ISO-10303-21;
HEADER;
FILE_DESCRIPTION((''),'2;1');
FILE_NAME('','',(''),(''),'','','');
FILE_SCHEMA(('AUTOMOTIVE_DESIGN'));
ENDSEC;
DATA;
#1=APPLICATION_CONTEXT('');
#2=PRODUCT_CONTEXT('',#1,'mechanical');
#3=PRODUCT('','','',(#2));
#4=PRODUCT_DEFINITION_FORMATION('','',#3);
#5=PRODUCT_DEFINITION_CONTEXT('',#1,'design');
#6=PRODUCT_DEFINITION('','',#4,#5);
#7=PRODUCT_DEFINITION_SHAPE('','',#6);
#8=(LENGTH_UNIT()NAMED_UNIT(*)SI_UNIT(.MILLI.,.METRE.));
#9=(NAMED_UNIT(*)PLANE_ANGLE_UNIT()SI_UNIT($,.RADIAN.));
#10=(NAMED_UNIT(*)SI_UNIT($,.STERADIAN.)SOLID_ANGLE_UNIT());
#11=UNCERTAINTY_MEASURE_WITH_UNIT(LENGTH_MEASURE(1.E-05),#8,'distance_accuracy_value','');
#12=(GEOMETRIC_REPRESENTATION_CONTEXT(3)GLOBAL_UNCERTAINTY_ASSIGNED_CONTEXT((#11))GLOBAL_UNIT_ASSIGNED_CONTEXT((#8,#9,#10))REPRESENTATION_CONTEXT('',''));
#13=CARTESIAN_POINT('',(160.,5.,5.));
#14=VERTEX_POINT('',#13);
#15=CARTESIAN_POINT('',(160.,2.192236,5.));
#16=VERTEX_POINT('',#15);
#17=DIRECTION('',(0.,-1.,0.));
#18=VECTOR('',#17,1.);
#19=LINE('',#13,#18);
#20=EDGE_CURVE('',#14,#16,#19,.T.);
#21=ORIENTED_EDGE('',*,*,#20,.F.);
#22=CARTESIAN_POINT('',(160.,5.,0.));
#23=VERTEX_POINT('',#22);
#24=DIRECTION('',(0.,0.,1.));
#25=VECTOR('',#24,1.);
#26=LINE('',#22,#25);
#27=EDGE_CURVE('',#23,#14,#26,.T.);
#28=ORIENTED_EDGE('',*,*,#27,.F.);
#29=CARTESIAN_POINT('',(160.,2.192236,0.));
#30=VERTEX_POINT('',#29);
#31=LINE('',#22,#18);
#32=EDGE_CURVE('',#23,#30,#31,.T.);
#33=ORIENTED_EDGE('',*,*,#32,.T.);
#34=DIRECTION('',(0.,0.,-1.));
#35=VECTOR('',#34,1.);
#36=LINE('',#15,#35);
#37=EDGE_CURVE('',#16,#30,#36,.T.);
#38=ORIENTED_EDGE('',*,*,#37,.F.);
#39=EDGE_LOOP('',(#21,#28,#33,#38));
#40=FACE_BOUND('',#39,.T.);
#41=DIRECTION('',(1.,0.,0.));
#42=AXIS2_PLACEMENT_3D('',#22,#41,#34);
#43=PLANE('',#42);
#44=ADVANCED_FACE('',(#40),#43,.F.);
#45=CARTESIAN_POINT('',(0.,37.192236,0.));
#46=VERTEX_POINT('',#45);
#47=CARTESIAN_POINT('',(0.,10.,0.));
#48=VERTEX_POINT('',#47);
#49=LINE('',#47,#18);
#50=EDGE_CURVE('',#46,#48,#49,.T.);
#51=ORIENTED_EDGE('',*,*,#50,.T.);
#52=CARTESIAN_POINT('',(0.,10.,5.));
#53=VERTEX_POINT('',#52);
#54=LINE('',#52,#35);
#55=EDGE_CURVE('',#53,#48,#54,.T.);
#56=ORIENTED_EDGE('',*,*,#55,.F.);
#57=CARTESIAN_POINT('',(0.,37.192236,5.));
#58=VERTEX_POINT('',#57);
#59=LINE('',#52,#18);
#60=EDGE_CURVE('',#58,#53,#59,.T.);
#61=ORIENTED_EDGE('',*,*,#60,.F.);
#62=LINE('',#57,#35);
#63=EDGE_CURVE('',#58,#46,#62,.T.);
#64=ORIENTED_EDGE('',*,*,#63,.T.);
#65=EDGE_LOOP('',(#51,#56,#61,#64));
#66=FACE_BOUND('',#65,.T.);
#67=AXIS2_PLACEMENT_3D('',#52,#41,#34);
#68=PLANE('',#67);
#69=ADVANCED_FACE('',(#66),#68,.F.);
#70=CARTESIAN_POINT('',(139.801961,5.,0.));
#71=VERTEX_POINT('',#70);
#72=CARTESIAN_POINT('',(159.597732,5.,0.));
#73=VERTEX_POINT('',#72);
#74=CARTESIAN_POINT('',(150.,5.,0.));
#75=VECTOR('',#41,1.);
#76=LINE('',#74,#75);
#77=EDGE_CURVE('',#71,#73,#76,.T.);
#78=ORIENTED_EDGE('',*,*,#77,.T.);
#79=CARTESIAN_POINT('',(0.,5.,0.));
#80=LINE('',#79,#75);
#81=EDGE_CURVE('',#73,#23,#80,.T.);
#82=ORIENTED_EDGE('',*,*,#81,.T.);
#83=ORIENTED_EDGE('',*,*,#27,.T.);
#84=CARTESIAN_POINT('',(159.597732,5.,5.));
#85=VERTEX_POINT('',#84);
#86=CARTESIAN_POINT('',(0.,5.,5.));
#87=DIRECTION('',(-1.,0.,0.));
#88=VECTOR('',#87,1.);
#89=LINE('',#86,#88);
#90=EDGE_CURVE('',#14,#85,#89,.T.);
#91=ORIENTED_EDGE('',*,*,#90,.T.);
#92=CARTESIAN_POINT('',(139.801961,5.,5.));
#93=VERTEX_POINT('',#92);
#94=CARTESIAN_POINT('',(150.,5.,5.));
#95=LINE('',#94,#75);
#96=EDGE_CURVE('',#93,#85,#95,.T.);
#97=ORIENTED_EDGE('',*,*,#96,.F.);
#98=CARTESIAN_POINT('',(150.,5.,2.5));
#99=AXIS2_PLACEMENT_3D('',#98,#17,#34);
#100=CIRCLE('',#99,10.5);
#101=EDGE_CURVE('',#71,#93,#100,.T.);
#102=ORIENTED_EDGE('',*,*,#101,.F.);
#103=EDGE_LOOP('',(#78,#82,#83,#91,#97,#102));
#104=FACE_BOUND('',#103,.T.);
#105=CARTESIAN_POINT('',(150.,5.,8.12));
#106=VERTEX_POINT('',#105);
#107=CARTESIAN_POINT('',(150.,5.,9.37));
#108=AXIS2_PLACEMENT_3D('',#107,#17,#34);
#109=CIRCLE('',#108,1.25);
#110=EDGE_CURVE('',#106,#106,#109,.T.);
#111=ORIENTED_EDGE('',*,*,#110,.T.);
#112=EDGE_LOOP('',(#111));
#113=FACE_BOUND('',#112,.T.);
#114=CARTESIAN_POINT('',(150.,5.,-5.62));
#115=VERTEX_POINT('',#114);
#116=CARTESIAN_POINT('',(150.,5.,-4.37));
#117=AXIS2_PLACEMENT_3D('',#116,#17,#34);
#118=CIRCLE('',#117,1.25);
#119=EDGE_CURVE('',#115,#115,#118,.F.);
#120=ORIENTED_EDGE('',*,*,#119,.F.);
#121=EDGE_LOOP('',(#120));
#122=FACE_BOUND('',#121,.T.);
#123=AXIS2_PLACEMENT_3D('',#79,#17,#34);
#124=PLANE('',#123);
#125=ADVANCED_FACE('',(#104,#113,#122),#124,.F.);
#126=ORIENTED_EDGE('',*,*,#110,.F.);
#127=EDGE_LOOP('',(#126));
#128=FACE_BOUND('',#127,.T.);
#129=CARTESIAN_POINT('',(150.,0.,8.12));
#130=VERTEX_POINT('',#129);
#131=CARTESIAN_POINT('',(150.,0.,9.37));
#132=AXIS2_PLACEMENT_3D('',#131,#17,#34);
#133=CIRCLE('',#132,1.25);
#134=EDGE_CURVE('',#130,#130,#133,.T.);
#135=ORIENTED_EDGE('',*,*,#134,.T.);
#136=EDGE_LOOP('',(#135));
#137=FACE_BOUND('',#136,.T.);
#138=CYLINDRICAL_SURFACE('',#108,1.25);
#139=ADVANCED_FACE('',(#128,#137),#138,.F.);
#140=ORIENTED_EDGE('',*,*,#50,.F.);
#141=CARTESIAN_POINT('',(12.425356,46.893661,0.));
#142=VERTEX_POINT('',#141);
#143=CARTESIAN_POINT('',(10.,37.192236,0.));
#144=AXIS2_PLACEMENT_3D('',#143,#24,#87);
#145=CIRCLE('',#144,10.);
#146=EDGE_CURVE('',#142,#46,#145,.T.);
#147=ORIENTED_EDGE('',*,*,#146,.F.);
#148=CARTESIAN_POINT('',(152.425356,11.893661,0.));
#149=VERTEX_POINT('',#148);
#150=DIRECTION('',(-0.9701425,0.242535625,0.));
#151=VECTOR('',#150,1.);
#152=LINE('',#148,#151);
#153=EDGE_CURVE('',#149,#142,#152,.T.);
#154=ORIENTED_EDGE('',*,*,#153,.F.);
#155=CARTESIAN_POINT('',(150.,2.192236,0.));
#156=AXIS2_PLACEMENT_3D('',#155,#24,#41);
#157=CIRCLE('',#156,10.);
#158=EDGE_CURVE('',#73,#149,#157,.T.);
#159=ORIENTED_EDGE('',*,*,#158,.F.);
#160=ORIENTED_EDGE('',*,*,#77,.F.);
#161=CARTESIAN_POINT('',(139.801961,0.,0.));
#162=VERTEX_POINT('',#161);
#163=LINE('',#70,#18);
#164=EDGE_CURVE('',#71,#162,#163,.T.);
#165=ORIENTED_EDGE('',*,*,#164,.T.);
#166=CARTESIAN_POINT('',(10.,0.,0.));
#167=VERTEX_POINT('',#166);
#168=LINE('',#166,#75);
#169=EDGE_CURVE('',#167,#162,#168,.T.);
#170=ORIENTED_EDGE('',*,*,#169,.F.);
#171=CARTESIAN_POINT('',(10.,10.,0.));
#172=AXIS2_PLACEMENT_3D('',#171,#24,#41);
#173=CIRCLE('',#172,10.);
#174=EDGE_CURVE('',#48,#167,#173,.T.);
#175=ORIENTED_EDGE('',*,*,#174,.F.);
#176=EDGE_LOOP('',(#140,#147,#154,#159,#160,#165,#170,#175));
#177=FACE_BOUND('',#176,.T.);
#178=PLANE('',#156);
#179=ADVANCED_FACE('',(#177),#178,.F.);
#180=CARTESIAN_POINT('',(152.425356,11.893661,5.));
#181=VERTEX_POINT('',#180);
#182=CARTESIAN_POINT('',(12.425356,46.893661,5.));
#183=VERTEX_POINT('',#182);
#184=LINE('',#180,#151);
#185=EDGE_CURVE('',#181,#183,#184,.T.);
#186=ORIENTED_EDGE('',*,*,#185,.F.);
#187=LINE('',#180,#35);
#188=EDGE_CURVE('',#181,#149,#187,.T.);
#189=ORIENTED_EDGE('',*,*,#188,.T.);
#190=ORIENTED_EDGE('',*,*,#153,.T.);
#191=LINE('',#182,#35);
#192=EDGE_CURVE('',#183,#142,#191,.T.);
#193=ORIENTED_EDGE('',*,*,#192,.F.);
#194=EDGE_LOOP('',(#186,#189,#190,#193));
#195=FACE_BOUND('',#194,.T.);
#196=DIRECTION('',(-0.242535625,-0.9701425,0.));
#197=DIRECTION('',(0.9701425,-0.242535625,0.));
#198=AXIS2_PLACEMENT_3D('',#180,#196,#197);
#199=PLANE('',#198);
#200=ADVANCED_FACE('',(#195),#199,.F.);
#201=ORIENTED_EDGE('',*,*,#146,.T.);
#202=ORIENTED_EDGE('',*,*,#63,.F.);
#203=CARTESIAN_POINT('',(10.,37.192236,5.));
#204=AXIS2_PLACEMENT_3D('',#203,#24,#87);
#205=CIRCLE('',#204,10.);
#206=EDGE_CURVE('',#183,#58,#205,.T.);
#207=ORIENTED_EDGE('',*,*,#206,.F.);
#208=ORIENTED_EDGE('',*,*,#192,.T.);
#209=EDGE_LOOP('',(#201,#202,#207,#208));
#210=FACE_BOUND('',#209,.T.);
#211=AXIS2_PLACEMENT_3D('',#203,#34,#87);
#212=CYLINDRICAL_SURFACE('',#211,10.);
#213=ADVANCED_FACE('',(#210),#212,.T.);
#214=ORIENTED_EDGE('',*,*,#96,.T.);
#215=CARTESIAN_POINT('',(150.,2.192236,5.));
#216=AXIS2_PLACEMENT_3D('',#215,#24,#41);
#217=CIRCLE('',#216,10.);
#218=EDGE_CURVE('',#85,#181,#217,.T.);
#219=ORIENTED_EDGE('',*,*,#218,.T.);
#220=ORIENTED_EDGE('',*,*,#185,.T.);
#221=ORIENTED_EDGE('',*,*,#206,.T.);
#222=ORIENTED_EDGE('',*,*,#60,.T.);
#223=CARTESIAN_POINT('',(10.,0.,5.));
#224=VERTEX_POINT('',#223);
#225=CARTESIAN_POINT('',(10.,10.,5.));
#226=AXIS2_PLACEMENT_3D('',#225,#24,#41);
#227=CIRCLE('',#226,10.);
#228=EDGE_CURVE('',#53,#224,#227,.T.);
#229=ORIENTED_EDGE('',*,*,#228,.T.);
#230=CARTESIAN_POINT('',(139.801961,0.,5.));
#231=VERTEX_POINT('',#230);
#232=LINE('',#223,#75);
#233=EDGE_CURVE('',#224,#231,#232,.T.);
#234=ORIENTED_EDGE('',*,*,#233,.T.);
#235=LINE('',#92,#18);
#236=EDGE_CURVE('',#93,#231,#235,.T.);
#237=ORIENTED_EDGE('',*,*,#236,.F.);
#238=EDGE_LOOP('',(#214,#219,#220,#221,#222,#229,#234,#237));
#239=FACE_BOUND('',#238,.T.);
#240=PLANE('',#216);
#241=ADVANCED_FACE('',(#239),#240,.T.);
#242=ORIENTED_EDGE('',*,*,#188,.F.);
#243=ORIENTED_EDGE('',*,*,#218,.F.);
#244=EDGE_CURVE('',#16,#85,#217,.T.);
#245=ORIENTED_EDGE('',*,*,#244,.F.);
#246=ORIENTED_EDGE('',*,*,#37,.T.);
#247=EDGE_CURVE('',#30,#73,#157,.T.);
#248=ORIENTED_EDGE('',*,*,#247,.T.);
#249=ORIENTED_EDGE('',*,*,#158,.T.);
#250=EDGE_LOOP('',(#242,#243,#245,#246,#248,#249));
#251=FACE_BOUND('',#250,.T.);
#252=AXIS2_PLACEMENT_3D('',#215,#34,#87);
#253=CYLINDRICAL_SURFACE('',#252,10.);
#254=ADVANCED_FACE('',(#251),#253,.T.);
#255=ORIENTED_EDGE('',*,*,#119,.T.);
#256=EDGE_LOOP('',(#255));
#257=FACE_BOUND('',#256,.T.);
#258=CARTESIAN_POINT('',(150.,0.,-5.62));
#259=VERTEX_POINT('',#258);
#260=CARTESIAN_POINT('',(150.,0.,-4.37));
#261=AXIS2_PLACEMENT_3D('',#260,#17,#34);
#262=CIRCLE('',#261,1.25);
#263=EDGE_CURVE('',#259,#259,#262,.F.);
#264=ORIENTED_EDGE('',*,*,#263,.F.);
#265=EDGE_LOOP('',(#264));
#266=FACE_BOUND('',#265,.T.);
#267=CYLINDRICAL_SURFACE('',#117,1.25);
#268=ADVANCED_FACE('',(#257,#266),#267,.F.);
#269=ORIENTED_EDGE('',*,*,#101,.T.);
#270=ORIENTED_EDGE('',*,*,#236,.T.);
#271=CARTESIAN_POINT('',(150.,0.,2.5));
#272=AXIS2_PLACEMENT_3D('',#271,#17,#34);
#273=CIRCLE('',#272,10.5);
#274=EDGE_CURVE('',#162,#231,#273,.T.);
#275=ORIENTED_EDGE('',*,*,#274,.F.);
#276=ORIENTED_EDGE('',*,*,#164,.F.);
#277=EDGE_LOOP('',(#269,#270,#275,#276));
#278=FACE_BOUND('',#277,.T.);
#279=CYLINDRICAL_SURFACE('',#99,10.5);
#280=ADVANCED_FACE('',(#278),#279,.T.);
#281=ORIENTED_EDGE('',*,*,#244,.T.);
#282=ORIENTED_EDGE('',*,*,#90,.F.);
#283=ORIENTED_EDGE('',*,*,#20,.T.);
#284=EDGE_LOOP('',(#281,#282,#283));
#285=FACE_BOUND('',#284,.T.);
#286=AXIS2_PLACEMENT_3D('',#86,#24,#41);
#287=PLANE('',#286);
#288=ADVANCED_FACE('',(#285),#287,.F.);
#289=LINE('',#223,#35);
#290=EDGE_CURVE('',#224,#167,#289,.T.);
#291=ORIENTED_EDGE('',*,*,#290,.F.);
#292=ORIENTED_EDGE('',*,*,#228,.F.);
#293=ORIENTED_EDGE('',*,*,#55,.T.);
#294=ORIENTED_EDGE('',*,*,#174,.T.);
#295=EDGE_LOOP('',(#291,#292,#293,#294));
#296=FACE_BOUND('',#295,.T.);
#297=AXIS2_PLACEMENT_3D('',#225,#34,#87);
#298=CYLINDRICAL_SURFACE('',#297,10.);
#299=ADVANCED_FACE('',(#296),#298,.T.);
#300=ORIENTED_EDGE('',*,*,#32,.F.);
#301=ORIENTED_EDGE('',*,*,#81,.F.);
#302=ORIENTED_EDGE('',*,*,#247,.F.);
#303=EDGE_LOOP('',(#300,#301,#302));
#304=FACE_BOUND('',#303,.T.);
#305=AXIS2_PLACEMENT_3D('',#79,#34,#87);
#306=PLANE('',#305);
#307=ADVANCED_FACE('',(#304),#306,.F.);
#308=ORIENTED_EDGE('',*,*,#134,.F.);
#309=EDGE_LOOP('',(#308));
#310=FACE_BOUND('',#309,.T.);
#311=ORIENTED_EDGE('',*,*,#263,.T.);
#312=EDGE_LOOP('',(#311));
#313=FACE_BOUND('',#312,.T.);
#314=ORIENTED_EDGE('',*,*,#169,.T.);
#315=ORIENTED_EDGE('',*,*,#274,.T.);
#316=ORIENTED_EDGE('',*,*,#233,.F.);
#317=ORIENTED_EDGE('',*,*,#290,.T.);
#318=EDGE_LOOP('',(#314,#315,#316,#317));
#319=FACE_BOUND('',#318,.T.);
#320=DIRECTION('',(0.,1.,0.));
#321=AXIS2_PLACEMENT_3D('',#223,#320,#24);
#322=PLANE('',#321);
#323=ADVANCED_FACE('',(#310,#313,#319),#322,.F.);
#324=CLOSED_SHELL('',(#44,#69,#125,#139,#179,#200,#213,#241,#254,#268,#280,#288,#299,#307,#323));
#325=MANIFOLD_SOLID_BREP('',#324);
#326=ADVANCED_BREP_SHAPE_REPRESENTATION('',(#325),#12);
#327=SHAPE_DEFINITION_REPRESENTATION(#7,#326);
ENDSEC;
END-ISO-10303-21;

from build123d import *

# Parameters (mm, degrees)
EXTRUDE_1_DEPTH = 5
SKETCH_2_R      = 1.25
EXTRUDE_4_DEPTH = 5


with BuildPart() as part:
    # 스케치1 → 보스-돌출1 (new body)
    with BuildSketch(Plane.XY):
        with BuildLine():
            Line((0, 10), (0, 37.192235936))
            ThreePointArc((0, 37.192235936), (3.845877906, 45.074290316), (12.42535625, 46.893660937))
            Line((12.42535625, 46.893660937), (152.42535625, 11.893660937))
            ThreePointArc((152.42535625, 11.893660937), (157.88205438, 8.34635803), (160, 2.192235936))
            Line((160, 2.192235936), (160, 0))
            Line((160, 0), (10, 0))
            ThreePointArc((10, 0), (2.928932188, 2.928932188), (0, 10))
        make_face()
    extrude(amount=EXTRUDE_1_DEPTH)

    # 스케치2 → 보스-돌출4 (add)
    with BuildSketch(Plane.XZ):
        with BuildLine():
            Line((150, 0), (139.801960973, 0))
            ThreePointArc((139.801960973, 0), (151.259085028, -7.924236418), (160.5, 2.5))
            ThreePointArc((160.5, 2.5), (151.259085028, 12.924236418), (139.801960973, 5))
            Line((139.801960973, 5), (150, 5))
            Line((150, 5), (160, 5))
            Line((160, 5), (160, 0))
            Line((160, 0), (150, 0))
        make_face()
        with Locations(Location((150, -4.37, 0), (0, 0, 270))):
            Circle(SKETCH_2_R, mode=Mode.SUBTRACT)
        with Locations(Location((150, 9.37, 0), (0, 0, 270))):
            Circle(SKETCH_2_R, mode=Mode.SUBTRACT)
    extrude(amount=-EXTRUDE_4_DEPTH)


solid = part.part
